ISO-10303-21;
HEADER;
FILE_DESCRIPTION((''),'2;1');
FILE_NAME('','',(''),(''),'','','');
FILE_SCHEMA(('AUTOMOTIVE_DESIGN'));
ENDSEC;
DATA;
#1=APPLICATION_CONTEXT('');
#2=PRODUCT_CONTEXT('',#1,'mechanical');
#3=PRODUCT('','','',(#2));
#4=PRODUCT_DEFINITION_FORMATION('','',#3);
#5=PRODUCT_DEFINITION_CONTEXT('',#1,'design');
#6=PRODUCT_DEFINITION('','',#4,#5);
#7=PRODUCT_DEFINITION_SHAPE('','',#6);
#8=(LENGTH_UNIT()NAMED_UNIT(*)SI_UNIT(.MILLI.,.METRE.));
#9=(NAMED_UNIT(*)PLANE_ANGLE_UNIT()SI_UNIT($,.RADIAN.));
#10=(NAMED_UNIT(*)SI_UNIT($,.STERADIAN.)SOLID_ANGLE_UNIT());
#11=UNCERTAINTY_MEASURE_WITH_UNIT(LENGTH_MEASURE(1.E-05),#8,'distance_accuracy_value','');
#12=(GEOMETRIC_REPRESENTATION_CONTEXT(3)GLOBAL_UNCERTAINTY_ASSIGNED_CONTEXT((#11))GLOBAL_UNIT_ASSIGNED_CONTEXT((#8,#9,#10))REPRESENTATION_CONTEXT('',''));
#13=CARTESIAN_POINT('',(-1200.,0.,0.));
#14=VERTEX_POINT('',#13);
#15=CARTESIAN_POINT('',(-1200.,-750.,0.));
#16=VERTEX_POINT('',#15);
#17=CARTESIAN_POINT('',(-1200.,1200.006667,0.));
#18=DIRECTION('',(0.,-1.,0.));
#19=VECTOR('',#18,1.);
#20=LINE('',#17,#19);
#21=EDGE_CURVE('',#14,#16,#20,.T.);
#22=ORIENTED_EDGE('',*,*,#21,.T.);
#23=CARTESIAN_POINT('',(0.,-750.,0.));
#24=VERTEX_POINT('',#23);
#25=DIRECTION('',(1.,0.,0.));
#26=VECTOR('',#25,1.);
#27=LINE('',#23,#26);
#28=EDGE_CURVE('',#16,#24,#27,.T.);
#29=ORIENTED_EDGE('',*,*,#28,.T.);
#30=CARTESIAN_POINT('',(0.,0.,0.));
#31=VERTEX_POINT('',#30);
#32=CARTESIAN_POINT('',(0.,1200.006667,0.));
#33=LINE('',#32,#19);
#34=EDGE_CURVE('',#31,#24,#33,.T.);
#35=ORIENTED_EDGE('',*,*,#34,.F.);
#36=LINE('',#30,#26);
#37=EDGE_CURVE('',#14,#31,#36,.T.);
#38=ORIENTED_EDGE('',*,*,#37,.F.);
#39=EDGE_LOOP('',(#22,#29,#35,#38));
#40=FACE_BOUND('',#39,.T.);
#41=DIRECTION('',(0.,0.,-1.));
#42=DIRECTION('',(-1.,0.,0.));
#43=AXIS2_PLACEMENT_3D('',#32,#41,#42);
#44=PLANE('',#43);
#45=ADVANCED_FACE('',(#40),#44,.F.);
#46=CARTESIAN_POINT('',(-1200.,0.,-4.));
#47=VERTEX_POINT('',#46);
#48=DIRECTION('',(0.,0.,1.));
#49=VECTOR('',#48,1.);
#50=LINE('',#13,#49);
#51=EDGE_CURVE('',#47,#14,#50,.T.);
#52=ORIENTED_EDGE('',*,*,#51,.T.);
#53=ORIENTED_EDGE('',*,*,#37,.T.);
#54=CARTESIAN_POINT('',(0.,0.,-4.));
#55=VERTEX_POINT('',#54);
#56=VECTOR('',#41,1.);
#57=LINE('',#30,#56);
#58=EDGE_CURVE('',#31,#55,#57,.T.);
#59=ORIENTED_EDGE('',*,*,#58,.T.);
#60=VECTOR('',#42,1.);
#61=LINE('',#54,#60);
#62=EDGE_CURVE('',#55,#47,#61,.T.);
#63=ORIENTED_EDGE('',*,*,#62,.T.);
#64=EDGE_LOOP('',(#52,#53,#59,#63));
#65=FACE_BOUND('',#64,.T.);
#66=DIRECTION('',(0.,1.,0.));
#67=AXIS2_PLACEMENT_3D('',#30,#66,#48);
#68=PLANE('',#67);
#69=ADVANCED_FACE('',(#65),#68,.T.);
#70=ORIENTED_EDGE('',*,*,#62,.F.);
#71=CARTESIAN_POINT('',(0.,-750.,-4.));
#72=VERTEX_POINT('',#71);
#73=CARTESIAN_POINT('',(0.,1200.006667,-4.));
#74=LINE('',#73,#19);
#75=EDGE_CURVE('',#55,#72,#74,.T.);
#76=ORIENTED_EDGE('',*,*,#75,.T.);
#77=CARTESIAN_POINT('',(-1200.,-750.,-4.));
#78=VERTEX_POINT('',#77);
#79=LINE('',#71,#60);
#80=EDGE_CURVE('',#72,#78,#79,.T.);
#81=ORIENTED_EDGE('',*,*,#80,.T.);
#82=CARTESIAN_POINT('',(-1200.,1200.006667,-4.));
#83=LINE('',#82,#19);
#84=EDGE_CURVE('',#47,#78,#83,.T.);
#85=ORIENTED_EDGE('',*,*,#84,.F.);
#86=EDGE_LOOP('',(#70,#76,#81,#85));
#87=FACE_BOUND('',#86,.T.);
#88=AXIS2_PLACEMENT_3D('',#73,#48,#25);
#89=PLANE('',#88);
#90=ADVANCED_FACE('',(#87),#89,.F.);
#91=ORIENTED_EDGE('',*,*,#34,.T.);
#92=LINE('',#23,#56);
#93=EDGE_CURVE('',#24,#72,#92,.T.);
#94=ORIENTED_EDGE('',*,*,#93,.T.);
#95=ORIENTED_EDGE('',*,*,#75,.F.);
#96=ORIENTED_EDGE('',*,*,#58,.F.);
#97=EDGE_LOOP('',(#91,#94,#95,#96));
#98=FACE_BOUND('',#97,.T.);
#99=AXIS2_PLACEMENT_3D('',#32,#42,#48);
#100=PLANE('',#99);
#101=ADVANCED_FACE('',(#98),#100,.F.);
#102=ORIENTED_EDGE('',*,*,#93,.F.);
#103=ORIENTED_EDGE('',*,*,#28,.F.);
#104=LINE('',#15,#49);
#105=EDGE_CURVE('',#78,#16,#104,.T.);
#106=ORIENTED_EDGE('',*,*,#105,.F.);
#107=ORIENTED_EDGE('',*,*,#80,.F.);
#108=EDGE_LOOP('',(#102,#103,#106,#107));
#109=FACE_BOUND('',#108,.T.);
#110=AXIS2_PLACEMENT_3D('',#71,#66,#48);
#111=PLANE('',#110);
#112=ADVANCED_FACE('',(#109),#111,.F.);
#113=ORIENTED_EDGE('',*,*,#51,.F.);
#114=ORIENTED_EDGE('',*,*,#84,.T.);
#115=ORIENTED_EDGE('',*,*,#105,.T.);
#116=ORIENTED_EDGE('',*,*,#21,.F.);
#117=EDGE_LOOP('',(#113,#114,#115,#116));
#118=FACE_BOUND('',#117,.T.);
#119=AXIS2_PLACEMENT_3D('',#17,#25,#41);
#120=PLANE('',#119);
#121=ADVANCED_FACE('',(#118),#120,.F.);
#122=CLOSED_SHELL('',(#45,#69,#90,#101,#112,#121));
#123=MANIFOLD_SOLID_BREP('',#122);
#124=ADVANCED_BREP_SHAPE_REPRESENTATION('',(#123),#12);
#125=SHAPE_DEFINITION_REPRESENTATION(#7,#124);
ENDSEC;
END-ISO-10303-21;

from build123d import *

# Parameters (mm, degrees)
SKETCH1_W        = 1200
SKETCH1_H        = 4
BACK_PANEL_DEPTH = 750


with BuildPart() as part:
    # Sketch1 → Back Panel (new body)
    with BuildSketch(Plane(origin=(0, -750, 0), x_dir=(-1, 0, 0), z_dir=(0, 1, 0))):
        with Locations((600, -2)):
            Rectangle(SKETCH1_W, SKETCH1_H)
    extrude(amount=BACK_PANEL_DEPTH)


solid = part.part
